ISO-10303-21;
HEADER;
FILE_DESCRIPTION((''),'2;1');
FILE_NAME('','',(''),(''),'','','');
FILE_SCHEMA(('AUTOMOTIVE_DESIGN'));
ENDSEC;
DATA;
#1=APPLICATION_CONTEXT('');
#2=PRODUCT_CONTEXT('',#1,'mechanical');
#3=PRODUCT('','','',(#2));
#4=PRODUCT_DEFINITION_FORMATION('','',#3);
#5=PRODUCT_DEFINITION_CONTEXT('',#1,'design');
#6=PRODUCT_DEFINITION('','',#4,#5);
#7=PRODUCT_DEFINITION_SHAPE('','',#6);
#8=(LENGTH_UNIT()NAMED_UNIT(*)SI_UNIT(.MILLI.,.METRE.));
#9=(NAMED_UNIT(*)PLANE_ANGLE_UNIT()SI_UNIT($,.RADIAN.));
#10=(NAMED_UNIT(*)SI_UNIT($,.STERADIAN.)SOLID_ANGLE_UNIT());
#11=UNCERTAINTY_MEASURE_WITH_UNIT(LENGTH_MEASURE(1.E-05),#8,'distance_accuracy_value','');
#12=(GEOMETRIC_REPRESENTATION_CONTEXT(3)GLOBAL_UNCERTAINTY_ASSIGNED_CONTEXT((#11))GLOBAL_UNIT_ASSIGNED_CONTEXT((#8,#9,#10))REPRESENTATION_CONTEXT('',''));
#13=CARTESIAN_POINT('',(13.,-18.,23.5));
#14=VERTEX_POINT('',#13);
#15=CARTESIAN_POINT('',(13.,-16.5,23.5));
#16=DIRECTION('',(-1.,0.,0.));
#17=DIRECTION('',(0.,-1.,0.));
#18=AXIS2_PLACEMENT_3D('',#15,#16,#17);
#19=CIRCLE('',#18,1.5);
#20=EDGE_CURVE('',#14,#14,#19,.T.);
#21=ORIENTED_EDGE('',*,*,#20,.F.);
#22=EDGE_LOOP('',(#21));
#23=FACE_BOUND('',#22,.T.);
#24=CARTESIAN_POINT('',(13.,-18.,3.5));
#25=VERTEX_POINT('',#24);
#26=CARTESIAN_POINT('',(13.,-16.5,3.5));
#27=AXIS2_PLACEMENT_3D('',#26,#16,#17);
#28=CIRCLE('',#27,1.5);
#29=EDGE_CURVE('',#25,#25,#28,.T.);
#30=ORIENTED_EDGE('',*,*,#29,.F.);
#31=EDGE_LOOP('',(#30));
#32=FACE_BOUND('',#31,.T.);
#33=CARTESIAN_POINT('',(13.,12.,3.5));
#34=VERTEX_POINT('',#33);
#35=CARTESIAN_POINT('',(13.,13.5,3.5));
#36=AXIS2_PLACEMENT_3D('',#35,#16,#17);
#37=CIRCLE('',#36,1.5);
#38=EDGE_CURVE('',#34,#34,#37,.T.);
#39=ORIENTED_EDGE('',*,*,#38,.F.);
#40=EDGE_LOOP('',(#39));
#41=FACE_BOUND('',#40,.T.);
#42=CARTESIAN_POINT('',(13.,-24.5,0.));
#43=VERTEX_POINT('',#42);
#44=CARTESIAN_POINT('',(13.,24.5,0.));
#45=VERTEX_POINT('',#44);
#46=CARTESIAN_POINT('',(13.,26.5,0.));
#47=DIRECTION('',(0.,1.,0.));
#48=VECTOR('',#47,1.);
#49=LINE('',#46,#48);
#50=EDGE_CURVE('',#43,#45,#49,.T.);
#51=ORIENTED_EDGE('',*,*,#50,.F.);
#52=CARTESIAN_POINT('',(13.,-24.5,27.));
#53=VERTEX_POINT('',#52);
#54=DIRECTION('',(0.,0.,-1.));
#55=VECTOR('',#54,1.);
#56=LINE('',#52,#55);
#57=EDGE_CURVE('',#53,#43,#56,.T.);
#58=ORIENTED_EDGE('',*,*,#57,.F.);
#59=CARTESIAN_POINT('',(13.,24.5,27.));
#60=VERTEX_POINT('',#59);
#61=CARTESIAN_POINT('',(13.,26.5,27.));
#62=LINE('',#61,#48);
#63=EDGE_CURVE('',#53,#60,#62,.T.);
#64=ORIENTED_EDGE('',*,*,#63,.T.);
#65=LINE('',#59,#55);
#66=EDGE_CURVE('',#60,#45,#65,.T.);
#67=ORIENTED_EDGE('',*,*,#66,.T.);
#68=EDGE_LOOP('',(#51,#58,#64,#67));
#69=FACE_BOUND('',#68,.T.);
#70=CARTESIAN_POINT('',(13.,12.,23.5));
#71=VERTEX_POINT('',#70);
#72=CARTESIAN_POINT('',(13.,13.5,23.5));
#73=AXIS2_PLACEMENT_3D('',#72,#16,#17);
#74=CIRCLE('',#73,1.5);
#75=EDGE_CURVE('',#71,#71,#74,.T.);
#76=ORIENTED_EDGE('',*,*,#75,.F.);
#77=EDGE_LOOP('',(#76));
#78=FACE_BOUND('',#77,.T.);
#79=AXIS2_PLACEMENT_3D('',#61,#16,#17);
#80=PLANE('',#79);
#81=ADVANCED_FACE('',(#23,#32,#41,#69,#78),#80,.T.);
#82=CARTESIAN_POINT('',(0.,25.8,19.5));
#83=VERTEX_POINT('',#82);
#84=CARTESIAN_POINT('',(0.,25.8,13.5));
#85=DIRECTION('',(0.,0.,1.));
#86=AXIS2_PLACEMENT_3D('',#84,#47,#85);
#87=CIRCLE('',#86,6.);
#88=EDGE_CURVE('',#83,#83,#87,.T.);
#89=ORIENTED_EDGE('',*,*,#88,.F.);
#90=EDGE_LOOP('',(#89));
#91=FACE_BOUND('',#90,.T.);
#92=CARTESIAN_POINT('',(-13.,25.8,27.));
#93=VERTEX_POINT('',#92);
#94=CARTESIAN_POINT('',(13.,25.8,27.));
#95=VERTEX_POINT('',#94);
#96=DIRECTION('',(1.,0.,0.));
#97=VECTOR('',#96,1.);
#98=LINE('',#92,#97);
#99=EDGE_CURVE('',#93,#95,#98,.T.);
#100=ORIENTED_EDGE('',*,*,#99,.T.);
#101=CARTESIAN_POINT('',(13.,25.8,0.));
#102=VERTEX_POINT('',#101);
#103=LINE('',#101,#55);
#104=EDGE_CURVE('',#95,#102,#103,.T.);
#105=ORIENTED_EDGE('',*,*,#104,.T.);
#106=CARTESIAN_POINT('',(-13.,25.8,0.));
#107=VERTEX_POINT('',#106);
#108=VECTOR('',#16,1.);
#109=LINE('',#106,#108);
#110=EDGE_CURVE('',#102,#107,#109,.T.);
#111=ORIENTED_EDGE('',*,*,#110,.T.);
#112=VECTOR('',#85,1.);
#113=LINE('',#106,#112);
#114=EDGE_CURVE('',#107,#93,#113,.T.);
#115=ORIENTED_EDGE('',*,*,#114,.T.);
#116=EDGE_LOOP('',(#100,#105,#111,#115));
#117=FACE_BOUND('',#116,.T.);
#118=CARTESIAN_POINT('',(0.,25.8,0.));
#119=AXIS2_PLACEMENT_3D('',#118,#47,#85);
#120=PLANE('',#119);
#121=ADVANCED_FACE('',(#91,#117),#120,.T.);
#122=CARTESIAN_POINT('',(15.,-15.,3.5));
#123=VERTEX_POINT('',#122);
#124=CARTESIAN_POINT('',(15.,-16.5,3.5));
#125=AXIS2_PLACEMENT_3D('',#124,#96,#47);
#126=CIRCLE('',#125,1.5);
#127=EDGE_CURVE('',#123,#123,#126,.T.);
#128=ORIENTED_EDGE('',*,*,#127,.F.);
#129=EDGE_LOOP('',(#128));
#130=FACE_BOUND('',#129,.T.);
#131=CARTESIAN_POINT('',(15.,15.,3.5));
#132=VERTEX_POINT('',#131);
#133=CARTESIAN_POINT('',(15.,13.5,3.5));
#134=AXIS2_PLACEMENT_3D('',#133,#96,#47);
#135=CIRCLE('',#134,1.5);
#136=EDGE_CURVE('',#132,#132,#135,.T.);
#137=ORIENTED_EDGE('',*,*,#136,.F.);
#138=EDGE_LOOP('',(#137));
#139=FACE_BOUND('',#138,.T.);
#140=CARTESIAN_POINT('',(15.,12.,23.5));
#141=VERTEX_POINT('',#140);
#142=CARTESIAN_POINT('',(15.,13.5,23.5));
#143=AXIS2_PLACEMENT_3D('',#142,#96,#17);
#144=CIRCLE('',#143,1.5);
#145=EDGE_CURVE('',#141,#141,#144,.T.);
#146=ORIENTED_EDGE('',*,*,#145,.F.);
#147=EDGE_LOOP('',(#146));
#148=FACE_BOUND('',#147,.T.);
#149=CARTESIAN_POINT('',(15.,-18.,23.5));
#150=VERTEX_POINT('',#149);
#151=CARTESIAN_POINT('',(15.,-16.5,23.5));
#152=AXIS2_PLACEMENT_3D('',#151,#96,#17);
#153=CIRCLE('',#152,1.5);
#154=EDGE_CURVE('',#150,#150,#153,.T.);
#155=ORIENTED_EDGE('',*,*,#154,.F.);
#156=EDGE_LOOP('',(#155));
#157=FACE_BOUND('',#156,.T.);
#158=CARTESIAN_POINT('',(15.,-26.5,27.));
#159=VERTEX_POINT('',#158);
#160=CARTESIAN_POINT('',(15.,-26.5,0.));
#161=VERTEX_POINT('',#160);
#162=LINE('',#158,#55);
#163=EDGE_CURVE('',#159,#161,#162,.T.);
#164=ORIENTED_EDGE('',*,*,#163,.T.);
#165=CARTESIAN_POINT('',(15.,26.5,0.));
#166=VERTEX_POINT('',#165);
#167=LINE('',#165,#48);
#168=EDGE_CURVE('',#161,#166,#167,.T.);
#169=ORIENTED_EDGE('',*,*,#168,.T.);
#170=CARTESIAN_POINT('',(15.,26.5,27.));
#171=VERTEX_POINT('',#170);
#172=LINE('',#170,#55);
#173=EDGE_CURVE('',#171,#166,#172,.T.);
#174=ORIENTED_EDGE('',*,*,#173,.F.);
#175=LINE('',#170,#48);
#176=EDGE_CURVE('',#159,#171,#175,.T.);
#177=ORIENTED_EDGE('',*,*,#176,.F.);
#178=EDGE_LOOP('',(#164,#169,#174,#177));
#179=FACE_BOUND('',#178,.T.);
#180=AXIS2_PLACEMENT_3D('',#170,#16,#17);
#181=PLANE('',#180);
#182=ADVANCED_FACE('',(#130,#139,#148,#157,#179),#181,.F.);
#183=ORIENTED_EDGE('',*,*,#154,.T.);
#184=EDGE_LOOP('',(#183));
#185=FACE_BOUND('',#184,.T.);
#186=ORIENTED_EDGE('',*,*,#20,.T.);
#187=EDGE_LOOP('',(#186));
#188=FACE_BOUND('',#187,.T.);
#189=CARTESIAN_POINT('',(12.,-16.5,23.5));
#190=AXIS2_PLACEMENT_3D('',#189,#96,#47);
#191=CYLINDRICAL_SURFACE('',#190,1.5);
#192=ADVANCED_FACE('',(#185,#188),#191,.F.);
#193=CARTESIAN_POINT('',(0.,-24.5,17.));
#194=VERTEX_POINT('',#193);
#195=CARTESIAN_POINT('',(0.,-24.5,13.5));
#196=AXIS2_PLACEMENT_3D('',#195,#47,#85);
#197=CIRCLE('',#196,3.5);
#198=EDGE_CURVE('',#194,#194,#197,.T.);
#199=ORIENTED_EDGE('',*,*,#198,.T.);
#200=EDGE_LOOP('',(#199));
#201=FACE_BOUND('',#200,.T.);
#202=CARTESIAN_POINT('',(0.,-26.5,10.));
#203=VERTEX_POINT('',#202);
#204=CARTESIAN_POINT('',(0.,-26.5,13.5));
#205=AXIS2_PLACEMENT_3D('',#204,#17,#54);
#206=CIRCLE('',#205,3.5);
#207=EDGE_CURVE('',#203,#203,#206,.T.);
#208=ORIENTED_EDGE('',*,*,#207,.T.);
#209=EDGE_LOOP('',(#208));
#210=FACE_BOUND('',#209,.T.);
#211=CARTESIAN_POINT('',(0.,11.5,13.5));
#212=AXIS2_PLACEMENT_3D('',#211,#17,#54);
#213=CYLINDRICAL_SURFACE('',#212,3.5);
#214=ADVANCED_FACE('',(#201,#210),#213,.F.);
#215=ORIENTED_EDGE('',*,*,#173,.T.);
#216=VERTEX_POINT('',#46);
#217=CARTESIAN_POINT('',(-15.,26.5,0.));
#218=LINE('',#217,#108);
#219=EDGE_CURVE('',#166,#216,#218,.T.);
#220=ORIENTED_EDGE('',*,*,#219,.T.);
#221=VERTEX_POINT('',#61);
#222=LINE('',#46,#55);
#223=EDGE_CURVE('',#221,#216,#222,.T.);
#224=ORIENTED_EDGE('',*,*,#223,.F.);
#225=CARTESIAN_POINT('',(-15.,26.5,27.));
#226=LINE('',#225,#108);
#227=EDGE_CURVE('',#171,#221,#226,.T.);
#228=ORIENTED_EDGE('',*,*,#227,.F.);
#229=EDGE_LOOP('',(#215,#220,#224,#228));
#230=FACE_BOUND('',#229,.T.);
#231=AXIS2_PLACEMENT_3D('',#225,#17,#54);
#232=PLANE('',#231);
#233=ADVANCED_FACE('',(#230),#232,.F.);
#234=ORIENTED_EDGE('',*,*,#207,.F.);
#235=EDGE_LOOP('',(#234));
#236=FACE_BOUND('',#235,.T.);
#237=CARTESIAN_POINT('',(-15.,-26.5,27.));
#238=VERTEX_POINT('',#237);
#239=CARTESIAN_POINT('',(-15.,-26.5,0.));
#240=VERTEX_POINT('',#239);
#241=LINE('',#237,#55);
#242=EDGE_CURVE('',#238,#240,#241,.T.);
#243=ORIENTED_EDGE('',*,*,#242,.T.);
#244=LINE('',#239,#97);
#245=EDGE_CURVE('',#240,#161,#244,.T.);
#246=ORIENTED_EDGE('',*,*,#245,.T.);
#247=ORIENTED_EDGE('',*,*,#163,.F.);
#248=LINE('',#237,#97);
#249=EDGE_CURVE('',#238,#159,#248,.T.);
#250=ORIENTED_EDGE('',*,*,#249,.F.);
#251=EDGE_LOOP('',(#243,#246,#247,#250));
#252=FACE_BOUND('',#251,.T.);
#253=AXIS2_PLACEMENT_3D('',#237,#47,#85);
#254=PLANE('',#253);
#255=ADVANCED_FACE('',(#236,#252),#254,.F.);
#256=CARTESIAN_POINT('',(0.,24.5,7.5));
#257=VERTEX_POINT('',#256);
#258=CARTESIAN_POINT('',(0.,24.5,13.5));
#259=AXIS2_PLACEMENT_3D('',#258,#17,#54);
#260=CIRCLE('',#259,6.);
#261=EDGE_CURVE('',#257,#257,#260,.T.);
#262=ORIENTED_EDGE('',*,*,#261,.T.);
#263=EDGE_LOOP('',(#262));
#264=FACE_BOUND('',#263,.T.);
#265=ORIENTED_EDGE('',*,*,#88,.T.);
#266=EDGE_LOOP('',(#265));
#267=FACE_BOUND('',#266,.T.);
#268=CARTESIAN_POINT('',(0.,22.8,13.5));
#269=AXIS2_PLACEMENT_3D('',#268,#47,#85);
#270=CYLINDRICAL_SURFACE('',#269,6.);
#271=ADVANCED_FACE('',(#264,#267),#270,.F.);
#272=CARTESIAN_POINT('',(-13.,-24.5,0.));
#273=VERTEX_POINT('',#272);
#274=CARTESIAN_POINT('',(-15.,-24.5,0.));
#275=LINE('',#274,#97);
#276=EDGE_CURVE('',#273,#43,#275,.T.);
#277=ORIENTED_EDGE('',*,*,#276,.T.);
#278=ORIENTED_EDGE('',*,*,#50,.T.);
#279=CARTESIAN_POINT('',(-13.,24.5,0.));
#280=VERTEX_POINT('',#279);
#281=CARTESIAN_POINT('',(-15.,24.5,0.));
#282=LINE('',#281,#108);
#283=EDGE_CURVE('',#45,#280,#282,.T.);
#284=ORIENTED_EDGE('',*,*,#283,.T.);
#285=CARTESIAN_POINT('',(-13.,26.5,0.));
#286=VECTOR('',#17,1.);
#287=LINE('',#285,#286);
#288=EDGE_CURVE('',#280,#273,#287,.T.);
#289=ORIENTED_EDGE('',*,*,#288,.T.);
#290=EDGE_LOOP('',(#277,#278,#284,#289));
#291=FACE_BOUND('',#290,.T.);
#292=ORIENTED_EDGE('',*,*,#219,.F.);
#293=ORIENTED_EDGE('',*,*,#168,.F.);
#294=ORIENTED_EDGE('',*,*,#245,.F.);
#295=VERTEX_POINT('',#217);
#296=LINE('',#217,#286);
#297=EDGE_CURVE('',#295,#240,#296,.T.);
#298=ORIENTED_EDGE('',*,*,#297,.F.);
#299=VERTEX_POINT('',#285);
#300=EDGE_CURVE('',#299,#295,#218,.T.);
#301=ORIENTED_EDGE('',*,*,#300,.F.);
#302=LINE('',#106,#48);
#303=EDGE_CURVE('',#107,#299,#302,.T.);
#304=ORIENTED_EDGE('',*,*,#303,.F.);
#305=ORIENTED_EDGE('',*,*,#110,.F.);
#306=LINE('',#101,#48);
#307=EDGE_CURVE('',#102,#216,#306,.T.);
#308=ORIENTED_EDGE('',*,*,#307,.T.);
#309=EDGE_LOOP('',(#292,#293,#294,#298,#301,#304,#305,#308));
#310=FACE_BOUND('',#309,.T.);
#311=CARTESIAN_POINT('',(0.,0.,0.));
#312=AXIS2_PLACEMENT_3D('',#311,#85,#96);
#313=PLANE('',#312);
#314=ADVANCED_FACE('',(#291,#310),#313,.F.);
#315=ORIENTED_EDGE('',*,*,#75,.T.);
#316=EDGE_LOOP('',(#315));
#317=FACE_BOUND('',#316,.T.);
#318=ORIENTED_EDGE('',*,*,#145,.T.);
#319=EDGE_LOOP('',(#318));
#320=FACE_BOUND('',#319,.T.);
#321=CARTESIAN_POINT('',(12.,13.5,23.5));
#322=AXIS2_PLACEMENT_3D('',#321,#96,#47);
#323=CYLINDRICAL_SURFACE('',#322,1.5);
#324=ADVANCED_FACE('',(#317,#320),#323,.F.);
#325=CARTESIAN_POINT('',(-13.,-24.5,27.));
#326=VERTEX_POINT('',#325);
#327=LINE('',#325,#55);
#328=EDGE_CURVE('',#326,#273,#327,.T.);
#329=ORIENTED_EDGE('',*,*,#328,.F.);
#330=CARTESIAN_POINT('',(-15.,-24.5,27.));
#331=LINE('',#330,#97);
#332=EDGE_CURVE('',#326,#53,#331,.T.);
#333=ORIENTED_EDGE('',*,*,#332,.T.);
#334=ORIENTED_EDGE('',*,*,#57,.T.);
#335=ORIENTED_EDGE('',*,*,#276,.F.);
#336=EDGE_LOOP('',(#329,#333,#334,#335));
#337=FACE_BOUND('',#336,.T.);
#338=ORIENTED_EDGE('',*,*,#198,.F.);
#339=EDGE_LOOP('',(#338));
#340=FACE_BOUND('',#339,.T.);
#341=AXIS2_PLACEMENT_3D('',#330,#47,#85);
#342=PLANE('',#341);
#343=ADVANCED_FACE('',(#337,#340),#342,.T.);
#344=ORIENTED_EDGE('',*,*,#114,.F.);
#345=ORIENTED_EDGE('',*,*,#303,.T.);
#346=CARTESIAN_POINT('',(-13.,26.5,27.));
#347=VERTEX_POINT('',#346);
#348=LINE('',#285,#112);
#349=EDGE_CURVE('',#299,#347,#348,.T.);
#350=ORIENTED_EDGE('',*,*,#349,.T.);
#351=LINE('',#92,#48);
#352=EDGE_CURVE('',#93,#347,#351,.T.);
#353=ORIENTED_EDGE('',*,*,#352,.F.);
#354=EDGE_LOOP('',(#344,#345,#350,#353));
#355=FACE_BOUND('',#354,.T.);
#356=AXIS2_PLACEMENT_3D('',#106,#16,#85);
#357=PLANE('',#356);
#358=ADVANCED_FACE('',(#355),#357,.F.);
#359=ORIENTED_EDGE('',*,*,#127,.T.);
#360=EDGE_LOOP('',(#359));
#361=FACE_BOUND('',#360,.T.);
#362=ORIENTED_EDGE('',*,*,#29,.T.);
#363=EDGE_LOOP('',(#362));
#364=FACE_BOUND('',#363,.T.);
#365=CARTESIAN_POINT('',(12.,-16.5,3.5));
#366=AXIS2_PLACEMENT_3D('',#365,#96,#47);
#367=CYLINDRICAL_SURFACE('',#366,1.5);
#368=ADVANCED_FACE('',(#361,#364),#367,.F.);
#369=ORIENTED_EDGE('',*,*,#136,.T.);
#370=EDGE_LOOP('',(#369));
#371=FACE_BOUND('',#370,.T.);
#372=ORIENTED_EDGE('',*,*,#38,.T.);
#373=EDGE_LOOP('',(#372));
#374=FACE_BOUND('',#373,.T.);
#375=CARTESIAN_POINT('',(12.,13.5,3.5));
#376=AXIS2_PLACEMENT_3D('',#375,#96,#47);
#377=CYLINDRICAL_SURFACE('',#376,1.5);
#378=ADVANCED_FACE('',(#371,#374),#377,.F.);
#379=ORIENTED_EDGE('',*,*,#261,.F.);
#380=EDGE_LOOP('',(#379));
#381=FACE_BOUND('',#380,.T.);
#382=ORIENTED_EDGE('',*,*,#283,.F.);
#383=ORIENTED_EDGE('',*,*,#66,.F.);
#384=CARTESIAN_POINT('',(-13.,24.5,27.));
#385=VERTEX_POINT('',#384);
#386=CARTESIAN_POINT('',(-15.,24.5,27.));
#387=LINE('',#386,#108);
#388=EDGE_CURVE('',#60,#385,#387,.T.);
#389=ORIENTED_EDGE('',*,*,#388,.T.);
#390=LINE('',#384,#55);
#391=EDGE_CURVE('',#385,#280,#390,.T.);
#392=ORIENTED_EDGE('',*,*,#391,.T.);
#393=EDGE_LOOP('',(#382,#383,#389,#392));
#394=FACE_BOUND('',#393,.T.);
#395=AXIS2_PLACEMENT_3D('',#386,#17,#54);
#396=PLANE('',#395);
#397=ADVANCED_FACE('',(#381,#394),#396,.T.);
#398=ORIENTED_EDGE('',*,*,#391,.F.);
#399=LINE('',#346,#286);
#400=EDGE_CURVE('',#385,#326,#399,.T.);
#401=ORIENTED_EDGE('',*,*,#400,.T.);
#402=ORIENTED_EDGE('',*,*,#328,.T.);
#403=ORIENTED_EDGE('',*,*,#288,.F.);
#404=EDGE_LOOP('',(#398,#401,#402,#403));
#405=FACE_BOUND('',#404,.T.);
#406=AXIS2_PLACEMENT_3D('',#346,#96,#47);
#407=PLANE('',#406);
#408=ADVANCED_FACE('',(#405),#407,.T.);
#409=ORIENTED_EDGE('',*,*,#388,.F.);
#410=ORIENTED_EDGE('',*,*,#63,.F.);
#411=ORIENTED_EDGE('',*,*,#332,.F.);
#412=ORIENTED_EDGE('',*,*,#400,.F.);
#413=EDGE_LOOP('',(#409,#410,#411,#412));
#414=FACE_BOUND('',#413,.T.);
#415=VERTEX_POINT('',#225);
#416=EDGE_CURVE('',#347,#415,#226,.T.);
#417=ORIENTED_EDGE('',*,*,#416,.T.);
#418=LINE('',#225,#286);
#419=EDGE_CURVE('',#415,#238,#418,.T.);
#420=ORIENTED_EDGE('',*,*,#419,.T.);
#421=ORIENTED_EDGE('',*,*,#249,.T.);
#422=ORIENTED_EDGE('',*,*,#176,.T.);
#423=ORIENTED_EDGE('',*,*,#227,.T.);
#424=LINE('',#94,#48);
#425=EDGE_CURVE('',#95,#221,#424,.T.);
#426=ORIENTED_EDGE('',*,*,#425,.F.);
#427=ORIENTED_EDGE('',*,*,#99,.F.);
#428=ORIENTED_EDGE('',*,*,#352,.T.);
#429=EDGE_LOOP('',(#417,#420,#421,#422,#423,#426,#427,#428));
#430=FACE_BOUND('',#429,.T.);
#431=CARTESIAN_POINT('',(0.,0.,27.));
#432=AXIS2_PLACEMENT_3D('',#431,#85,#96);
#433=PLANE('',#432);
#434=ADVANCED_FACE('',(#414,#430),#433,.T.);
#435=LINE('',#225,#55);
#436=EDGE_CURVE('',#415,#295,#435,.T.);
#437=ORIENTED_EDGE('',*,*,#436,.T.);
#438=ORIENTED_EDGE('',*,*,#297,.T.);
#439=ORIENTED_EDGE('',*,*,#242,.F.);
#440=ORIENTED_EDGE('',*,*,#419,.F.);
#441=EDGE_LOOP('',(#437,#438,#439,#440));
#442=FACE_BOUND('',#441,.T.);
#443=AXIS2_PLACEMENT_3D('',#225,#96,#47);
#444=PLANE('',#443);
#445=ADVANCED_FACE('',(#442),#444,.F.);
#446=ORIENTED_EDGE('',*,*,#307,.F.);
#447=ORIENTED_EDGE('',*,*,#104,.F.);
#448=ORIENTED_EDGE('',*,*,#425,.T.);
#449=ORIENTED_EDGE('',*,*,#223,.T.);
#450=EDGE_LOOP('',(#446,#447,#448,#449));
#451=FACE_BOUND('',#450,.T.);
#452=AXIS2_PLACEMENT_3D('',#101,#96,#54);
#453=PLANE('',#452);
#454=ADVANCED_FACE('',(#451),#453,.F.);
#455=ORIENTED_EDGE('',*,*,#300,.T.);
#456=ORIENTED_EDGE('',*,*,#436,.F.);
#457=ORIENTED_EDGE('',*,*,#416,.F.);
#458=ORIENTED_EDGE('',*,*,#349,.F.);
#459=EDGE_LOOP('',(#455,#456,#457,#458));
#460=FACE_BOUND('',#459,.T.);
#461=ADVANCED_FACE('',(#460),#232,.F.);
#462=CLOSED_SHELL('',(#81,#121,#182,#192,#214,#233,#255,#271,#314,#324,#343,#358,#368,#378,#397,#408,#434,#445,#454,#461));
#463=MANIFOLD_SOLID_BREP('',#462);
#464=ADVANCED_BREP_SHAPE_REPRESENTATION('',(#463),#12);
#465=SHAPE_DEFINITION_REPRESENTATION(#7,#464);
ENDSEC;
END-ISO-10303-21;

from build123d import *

# Parameters (mm, degrees)
SKETCH_2_W          = 30
SKETCH_2_H          = 53
SKETCH_2_W_2        = 26
SKETCH_2_H_2        = 49
EXTRUDE_1_DEPTH     = 27
SKETCH_3_W          = 26
SKETCH_3_H          = 27
CUT_EXTRUDE_1_DEPTH = 0.7
SKETCH_4_R          = 3.5
CUT_EXTRUDE_2_DEPTH = 38
SKETCH_5_R          = 1.5
CUT_EXTRUDE_3_DEPTH = 3
SKETCH_6_R          = 6
CUT_EXTRUDE_4_DEPTH = 3


with BuildPart() as part:
    # 草图2 → 拉伸-薄壁1 (new body)
    with BuildSketch(Plane.XY):
        Rectangle(SKETCH_2_W, SKETCH_2_H)
        Rectangle(SKETCH_2_W_2, SKETCH_2_H_2, mode=Mode.SUBTRACT)
    extrude(amount=EXTRUDE_1_DEPTH)

    # 草图3 → 切除-拉伸1 (cut)
    with BuildSketch(Plane(origin=(0, 26.5, 0), x_dir=(1, 0, 0), z_dir=(0, 1, 0))):
        with Locations((0, -13.5)):
            Rectangle(SKETCH_3_W, SKETCH_3_H)
    extrude(amount=-CUT_EXTRUDE_1_DEPTH, mode=Mode.SUBTRACT)

    # 草图4 → 切除-拉伸2 (cut)
    with BuildSketch(Plane.XZ.offset(26.5)):
        with Locations(Location((0, 13.5, 0), (0, 0, 270))):
            Circle(SKETCH_4_R)
    extrude(amount=-CUT_EXTRUDE_2_DEPTH, mode=Mode.SUBTRACT)

    # 草图5 → 切除-拉伸3 (cut)
    with BuildSketch(Plane(origin=(15, 0, 0), x_dir=(0, 0, -1), z_dir=(1, 0, 0))):
        with Locations(Location((-3.5, -16.5, 0), (0, 0, 90))):
            Circle(SKETCH_5_R)
        with Locations(Location((-3.5, 13.5, 0), (0, 0, 90))):
            Circle(SKETCH_5_R)
        with Locations(Location((-23.5, -16.5, 0), (0, 0, 270))):
            Circle(SKETCH_5_R)
        with Locations(Location((-23.5, 13.5, 0), (0, 0, 270))):
            Circle(SKETCH_5_R)
    extrude(amount=-CUT_EXTRUDE_3_DEPTH, mode=Mode.SUBTRACT)

    # 草图6 → 切除-拉伸4 (cut)
    with BuildSketch(Plane(origin=(0, 25.8, 0), x_dir=(1, 0, 0), z_dir=(0, 1, 0))):
        with Locations(Location((0, -13.5, 0), (0, 0, 270))):
            Circle(SKETCH_6_R)
    extrude(amount=-CUT_EXTRUDE_4_DEPTH, mode=Mode.SUBTRACT)


solid = part.part
